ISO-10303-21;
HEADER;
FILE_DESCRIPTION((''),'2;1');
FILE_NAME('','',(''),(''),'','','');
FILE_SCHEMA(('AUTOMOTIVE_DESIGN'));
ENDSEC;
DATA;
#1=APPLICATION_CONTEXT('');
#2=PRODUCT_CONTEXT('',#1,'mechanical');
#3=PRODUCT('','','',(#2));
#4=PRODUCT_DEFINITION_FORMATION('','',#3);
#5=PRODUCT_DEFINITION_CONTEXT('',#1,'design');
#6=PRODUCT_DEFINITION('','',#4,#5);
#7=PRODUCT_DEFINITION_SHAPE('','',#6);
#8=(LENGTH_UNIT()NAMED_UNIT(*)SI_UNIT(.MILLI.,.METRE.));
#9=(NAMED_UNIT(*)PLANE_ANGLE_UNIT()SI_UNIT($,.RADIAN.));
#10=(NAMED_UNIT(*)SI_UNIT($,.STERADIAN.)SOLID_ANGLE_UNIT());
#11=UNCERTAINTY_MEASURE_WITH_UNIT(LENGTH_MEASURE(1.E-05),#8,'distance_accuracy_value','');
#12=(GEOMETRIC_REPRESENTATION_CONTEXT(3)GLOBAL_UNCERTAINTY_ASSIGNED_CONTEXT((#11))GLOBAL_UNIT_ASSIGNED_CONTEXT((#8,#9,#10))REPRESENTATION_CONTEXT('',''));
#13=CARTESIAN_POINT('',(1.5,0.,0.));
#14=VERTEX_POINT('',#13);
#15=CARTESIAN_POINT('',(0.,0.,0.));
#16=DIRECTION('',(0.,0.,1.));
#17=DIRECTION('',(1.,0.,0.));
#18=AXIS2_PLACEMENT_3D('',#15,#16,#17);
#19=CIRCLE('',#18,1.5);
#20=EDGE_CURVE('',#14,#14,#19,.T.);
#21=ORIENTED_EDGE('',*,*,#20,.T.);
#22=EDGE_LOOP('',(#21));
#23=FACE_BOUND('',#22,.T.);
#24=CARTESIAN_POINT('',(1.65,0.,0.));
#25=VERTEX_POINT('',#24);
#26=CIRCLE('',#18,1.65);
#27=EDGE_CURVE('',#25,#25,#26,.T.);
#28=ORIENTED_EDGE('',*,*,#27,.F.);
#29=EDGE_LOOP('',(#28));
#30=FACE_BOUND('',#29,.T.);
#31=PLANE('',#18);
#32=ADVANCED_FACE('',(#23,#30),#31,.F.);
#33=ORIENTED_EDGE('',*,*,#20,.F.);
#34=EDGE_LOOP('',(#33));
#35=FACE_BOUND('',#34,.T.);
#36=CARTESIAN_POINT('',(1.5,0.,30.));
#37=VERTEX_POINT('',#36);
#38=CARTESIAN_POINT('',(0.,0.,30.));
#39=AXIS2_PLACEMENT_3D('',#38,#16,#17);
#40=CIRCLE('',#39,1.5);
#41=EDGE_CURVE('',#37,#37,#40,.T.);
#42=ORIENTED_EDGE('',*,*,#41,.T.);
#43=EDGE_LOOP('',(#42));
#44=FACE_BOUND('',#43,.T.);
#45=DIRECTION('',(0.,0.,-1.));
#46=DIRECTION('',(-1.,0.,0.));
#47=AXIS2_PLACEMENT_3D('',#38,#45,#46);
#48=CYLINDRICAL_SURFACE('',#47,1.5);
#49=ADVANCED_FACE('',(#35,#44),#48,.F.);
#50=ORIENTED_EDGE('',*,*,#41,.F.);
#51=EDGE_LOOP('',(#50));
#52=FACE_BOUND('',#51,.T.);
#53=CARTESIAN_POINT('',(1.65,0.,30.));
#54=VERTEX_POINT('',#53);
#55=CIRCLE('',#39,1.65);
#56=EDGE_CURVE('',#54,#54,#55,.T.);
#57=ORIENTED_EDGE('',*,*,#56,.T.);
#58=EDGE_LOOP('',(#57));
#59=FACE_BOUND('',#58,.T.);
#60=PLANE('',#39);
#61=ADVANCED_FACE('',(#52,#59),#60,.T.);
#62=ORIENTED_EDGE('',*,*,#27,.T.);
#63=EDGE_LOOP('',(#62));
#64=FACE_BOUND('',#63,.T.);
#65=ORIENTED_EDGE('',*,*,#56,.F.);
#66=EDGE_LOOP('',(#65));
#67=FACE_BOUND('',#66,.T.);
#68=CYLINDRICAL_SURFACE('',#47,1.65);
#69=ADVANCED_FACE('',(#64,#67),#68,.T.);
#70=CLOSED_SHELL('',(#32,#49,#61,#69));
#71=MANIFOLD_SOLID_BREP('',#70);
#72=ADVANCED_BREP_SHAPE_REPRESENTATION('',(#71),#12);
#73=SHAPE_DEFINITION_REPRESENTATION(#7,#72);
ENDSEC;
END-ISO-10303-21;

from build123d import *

# Parameters (mm, degrees)
ESQUISSE1_R      = 1.65
ESQUISSE1_R_2    = 1.5
EXTRUSION1_DEPTH = 30


with BuildPart() as part:
    # Esquisse1 → Extrusion1 (new body)
    with BuildSketch(Plane.XY):
        Circle(ESQUISSE1_R)
        Circle(ESQUISSE1_R_2, mode=Mode.SUBTRACT)
    extrude(amount=EXTRUSION1_DEPTH)


solid = part.part
